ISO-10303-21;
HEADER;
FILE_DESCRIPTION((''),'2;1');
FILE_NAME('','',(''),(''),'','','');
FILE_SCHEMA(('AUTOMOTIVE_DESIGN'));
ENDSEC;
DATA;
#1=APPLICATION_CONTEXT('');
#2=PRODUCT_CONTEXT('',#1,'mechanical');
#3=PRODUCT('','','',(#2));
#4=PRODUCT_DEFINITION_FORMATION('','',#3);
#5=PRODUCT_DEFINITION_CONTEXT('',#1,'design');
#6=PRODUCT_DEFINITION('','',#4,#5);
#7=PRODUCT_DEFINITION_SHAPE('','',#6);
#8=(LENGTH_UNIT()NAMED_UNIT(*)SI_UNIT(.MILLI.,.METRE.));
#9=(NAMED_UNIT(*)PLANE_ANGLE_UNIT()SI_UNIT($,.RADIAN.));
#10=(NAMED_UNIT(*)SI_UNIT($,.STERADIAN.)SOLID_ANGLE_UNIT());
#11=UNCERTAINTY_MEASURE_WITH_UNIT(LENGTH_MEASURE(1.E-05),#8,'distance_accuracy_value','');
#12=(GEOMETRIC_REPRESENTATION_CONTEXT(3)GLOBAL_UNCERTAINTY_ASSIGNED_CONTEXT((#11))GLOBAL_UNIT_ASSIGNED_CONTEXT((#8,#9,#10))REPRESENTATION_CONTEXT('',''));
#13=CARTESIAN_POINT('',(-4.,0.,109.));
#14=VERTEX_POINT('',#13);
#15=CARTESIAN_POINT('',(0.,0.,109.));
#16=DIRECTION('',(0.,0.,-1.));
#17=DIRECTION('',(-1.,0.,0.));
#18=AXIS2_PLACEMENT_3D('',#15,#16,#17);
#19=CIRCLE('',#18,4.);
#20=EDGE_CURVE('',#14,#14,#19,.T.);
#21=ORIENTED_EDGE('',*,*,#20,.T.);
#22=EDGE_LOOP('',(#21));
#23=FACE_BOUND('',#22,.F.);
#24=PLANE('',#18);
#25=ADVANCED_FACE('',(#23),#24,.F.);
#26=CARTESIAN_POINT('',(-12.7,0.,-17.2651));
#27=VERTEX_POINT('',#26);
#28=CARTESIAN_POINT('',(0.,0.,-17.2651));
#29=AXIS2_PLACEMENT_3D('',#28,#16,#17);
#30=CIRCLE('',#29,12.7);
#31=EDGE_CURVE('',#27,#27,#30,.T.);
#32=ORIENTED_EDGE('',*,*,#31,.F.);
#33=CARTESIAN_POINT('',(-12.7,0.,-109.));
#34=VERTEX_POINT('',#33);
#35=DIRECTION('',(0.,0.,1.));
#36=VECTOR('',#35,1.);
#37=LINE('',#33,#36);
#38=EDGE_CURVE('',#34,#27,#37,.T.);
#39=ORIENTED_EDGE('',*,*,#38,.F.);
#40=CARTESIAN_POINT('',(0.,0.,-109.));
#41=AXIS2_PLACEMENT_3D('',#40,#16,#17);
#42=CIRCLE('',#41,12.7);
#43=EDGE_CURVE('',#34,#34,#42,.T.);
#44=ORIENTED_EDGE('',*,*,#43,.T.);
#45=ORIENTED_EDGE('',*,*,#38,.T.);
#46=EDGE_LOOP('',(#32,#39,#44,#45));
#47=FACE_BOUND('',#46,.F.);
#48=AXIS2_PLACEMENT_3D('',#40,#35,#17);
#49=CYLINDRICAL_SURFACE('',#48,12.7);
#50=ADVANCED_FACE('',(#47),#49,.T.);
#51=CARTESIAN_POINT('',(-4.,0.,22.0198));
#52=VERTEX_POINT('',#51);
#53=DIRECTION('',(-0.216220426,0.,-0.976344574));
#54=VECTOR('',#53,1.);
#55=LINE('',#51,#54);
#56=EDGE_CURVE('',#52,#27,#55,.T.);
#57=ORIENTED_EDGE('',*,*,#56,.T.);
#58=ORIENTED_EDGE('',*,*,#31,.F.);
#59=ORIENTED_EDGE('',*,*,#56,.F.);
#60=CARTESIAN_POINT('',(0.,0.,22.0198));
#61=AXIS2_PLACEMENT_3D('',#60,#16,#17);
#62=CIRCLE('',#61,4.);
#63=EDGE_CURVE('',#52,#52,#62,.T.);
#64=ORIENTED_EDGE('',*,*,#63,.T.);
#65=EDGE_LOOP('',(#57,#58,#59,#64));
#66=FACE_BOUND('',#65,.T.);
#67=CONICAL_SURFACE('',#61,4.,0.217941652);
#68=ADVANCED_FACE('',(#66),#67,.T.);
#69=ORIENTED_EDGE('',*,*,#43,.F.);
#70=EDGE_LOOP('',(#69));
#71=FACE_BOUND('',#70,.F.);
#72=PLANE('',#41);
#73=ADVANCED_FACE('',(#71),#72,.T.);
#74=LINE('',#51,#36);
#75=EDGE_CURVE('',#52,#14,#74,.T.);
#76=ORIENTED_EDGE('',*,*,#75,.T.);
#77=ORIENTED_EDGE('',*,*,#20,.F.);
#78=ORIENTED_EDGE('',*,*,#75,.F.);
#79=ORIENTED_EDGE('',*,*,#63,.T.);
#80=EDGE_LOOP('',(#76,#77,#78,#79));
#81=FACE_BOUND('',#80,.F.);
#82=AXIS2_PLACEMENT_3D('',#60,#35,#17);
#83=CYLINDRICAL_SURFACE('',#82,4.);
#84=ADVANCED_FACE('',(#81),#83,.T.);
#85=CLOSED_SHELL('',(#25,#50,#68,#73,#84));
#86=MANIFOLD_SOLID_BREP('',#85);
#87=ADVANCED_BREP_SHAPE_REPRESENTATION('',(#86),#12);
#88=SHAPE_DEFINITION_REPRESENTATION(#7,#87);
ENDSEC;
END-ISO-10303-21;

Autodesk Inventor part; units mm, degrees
ref_plane "YZ Plane" through (0, 0, 0) normal (1, 0, 0) x (0, 1, 0)
ref_plane "XZ Plane" through (0, 0, 0) normal (0, 1, 0) x (-1, 0, 0)
ref_plane "XY Plane" through (0, 0, 0) normal (0, 0, 1) x (1, 0, 0)
sketch "Sketch1" plane through (0, 0, 0) normal (0, 1, 0) x (-1, 0, 0)
  line L0 (4, 109) -> (-4, 109)
  line L1 (-12.7, -17.2651) -> (-12.7, -109)
  line L2 (-12.7, -109) -> (12.7, -109)
  line L3 (12.7, -109) -> (12.7, -17.2651)
  line L4 (12.7, 109) -> (-12.7, -109) construction
  line L5 (-12.7, 109) -> (12.7, -109) construction
  line L6 (4, 22.0198) -> (12.7, -17.2651)
  line L7 (12.7, 109) -> (-12.7, -109) construction
  line L8 (-4, 22.0198) -> (-12.7, -17.2651)
  line L9 (4, 22.0198) -> (4, 109)
  line L10 (-4, 22.0198) -> (-4, 109)
  line L11 (0, 109) -> (0, -109)
  point P0 (0, 0)
  dimension "d0" = 25.4
  dimension "d1" = 218
  dimension "d9" = 8
revolve "Revolution1" add sketch "Sketch1" angle 360 about axis through (0, 0, 109) along (0, 0, -1) contours L9 L6 L3 L2 L11 L0
properties part number "Microphone"
